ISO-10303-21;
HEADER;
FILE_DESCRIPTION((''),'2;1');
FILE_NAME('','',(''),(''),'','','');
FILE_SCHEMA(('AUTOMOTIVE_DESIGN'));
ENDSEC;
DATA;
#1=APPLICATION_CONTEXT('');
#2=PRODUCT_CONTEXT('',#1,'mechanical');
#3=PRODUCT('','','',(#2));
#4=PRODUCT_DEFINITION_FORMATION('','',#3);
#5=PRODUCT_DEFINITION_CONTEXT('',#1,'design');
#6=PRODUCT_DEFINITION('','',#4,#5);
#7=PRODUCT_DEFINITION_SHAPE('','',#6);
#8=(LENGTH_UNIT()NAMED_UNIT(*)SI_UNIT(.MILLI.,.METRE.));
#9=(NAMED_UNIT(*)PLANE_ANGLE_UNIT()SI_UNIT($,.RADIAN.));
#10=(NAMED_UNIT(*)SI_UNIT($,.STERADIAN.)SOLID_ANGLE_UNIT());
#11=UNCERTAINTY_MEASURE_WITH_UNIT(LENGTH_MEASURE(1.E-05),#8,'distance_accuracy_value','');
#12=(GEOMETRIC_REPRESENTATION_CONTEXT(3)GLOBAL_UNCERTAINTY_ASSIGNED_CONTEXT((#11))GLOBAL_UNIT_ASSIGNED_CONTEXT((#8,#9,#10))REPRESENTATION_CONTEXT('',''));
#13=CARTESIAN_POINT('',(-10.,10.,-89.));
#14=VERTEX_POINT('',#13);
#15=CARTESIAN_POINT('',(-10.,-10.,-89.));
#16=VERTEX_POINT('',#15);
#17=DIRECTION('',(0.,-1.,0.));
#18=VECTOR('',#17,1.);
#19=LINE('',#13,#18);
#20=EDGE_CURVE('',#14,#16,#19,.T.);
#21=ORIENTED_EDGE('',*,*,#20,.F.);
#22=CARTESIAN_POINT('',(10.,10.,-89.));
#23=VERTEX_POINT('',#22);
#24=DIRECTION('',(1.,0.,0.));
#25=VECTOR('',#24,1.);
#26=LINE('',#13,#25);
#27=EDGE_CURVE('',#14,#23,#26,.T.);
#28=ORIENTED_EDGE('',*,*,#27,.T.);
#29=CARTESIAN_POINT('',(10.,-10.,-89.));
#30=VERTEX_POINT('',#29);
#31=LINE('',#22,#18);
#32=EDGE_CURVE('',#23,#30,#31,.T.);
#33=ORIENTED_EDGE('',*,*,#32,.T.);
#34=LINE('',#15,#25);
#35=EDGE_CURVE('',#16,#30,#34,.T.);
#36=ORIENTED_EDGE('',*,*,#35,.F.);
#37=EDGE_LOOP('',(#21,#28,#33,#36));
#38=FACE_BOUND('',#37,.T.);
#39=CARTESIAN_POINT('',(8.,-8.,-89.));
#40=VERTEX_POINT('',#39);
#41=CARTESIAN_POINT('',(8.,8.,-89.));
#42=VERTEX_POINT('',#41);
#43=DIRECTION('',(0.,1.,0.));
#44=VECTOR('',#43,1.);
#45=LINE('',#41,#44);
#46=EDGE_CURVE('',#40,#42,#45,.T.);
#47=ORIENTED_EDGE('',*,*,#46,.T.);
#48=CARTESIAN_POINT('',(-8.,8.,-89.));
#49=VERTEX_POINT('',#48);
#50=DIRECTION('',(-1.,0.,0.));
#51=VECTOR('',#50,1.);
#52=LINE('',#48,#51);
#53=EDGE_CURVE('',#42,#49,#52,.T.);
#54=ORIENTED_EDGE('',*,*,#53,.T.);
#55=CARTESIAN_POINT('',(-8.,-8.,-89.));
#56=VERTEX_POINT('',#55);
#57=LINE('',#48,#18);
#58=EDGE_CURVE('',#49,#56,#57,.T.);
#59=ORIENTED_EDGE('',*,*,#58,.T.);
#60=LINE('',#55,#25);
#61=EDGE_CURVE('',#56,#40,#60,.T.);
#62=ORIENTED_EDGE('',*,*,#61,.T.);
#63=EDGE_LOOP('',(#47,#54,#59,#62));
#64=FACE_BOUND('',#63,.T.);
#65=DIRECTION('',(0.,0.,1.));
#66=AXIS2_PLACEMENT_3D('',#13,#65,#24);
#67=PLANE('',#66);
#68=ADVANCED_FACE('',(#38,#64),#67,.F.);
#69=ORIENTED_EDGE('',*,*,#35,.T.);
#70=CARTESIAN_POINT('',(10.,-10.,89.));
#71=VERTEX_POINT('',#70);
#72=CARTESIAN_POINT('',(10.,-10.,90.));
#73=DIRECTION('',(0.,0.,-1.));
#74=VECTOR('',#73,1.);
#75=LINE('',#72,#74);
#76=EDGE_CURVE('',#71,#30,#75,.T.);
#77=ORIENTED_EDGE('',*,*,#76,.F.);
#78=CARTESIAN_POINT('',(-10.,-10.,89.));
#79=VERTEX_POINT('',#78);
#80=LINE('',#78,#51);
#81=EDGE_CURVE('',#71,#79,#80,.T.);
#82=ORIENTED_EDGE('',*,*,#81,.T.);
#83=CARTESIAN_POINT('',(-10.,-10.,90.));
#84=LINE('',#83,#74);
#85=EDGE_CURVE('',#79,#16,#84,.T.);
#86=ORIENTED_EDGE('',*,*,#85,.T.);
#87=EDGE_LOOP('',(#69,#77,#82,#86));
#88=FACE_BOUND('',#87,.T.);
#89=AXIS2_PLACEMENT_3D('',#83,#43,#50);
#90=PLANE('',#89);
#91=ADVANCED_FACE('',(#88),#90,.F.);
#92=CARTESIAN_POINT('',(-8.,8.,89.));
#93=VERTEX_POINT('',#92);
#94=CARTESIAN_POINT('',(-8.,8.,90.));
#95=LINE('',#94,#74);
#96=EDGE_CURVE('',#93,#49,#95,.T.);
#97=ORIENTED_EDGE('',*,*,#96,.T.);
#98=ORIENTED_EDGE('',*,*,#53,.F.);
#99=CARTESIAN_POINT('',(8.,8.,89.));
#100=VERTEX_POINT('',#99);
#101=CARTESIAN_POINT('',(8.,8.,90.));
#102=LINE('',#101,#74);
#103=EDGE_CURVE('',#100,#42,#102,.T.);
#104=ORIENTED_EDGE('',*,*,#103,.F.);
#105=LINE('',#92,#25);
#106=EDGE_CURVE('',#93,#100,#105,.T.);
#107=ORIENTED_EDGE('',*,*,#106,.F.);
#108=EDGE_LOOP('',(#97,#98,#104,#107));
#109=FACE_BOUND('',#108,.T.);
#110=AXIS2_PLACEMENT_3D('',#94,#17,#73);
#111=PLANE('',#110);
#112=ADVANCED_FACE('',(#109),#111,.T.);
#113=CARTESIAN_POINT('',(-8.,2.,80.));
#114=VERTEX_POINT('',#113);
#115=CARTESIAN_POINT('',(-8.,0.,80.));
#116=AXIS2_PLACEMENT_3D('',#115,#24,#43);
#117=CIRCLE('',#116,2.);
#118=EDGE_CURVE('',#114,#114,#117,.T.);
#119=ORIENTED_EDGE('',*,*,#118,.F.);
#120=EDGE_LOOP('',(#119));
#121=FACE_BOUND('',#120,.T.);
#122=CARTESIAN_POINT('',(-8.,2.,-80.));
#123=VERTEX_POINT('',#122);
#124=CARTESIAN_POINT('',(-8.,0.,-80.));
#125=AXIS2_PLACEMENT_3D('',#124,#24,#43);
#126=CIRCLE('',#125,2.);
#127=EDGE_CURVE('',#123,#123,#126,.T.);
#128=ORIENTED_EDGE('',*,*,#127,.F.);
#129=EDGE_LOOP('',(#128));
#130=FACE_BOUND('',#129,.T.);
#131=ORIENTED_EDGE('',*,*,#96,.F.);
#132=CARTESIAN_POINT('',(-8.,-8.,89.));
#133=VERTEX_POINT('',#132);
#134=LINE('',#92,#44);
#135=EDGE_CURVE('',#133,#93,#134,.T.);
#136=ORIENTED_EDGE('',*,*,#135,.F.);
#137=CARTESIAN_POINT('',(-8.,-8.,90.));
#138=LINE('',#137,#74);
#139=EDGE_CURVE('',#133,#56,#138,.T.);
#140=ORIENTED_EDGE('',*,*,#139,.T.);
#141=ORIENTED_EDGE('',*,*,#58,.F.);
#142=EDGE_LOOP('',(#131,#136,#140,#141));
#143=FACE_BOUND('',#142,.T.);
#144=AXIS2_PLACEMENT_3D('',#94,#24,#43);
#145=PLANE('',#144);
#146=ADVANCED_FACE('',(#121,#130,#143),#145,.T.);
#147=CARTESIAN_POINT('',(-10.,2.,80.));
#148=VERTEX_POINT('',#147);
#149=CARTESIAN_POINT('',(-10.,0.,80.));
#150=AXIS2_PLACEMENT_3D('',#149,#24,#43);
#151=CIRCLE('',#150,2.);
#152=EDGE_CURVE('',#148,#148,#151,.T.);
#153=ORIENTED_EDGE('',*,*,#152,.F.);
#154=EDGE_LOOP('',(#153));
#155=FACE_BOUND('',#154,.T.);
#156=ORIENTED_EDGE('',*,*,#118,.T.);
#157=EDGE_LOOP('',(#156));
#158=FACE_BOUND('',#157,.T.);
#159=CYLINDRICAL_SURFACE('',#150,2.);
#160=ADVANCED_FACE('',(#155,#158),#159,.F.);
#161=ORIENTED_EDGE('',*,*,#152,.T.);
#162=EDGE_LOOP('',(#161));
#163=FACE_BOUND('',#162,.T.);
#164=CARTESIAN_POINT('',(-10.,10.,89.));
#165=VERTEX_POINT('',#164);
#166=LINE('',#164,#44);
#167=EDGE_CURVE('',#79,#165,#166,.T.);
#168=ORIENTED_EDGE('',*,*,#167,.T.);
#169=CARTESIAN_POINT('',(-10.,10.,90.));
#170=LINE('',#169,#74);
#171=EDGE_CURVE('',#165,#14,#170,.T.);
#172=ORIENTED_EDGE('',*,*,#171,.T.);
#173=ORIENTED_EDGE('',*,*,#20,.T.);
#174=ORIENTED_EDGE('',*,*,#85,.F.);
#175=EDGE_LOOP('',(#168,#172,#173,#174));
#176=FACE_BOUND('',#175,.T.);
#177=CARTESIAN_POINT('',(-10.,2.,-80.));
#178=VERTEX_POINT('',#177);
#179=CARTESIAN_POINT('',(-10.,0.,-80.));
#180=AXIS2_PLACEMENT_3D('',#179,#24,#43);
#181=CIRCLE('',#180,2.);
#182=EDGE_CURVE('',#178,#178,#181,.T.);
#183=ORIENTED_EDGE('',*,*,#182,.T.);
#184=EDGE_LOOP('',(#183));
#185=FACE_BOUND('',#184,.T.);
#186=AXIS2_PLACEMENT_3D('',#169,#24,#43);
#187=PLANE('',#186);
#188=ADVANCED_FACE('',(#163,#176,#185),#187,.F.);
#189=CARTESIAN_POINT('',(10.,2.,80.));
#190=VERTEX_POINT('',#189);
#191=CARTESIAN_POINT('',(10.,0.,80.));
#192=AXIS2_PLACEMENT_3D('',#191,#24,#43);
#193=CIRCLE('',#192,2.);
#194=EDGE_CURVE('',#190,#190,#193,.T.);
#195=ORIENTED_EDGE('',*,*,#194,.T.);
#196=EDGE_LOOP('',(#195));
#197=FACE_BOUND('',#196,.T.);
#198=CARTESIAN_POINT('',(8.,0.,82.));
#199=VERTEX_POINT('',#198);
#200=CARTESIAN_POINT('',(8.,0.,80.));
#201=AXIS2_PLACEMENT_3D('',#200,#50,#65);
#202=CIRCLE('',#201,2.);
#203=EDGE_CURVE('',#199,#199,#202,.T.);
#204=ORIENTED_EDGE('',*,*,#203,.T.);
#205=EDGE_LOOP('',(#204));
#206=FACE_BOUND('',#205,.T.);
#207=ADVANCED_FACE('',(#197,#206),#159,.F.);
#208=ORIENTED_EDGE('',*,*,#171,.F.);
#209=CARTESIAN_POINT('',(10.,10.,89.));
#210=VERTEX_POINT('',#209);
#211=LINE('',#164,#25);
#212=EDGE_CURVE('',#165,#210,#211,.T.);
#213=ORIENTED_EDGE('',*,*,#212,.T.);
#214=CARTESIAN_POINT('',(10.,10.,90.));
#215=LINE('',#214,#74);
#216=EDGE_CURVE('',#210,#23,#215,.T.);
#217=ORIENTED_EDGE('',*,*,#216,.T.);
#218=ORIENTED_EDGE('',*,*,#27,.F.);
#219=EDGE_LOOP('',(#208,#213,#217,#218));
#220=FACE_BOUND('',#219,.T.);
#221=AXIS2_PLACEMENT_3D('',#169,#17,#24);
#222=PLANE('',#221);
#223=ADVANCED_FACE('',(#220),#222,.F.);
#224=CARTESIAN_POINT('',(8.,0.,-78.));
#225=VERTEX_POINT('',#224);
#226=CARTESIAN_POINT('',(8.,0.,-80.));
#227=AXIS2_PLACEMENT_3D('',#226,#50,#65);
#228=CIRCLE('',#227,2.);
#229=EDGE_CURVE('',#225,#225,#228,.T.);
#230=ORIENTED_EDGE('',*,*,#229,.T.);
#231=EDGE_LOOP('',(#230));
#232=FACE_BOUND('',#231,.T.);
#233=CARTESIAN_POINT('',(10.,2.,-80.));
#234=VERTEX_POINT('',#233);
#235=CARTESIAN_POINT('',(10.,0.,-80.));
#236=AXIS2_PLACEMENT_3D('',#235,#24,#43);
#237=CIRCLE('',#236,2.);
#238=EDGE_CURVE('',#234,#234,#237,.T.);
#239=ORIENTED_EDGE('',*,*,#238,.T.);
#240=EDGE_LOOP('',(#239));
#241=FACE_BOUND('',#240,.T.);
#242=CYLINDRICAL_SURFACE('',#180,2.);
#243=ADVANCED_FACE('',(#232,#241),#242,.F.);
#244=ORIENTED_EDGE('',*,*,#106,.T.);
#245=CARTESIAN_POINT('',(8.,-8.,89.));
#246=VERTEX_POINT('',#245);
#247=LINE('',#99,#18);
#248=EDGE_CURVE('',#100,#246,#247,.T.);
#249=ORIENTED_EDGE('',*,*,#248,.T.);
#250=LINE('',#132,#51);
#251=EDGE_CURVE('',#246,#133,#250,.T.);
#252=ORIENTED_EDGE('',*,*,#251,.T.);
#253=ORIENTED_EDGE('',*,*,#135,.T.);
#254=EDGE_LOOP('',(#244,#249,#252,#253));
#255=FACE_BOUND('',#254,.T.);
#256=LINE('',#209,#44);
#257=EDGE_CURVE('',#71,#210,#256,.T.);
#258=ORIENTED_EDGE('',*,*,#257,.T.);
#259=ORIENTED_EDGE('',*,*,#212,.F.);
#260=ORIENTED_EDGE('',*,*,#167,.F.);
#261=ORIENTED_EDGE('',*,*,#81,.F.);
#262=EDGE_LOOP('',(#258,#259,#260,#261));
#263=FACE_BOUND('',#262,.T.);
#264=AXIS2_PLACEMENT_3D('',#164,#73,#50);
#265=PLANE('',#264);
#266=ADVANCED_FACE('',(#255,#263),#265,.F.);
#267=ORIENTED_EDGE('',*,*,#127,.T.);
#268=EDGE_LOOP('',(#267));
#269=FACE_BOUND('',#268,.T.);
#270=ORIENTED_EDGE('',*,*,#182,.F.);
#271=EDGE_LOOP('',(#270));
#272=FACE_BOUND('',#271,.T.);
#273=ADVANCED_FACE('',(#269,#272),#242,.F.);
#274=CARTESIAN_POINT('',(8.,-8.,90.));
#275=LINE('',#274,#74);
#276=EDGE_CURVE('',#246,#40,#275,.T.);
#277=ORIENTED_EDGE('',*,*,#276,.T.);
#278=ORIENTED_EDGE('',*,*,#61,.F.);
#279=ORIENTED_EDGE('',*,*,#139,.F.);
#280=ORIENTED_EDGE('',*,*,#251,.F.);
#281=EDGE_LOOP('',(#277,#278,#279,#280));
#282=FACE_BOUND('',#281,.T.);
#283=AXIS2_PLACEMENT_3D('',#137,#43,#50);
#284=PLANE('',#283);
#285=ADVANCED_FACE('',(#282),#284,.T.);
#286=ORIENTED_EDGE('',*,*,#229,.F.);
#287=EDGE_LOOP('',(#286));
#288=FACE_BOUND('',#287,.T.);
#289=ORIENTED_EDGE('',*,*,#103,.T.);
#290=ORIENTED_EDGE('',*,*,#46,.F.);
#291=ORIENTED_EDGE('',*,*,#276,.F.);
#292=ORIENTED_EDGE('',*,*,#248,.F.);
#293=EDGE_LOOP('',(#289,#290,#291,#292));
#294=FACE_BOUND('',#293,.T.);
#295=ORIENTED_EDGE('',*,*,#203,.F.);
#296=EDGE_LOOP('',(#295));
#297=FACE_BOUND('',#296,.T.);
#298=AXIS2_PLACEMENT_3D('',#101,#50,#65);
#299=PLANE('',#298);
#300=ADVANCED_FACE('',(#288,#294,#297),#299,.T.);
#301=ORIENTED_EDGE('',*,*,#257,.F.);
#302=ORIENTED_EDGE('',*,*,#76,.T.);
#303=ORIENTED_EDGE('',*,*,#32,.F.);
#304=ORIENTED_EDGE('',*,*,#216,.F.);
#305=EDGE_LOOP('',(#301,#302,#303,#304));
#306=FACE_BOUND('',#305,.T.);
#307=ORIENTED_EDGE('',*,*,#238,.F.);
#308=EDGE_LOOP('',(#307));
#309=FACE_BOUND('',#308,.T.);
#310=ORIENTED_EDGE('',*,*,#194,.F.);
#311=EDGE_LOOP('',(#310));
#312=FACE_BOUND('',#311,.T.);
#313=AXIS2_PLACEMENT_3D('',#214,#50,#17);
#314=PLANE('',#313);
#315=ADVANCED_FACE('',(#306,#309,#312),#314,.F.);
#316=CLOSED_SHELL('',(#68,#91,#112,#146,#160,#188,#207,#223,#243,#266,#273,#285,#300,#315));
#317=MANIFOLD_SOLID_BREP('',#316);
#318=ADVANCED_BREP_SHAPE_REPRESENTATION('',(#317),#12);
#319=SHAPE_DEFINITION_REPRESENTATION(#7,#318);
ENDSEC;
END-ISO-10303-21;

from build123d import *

# Parameters (mm, degrees)
SKETCH_1_W          = 20
SKETCH_1_H          = 20
SKETCH_1_W_2        = 16
SKETCH_1_H_2        = 16
EXTRUDE_1_DEPTH     = 90
SKETCH_2_R          = 2
CUT_EXTRUDE_1_DEPTH = 93.736184955
CUT_EXTRUDE_2_DEPTH = 93.736184955


with BuildPart() as part:
    # 草图1 → 凸台-拉伸1 (new, symmetric)
    with BuildSketch(Plane.XY):
        Rectangle(SKETCH_1_W, SKETCH_1_H)
        Rectangle(SKETCH_1_W_2, SKETCH_1_H_2, mode=Mode.SUBTRACT)
    extrude(amount=EXTRUDE_1_DEPTH, both=True)

    # 草图2 → 切除-拉伸1 (cut, through all)
    with BuildSketch(Plane(origin=(10, 0, 0), x_dir=(0, 0, -1), z_dir=(1, 0, 0))):
        with Locations(Location((80, 0, 0), (0, 0, 90))):
            Circle(SKETCH_2_R)
        with Locations(Location((-80, 0, 0), (0, 0, 90))):
            Circle(SKETCH_2_R)
    extrude(amount=-CUT_EXTRUDE_1_DEPTH, mode=Mode.SUBTRACT)

    # 草图3 → 切除-拉伸2 (cut, through all)
    with BuildSketch(Plane(origin=(10, 0, 0), x_dir=(0, 0, -1), z_dir=(1, 0, 0))):
        Polygon((-90, 10), (-89, 10), (-89, -15.299098046), (-95.501418201, -15.299098046), (-95.501418201, 10), align=None)
        Polygon((89, -15.299098046), (95.501418201, -15.299098046), (95.501418201, 10), (90, 10), (89, 10), align=None)
    extrude(amount=-CUT_EXTRUDE_2_DEPTH, mode=Mode.SUBTRACT)


solid = part.part
